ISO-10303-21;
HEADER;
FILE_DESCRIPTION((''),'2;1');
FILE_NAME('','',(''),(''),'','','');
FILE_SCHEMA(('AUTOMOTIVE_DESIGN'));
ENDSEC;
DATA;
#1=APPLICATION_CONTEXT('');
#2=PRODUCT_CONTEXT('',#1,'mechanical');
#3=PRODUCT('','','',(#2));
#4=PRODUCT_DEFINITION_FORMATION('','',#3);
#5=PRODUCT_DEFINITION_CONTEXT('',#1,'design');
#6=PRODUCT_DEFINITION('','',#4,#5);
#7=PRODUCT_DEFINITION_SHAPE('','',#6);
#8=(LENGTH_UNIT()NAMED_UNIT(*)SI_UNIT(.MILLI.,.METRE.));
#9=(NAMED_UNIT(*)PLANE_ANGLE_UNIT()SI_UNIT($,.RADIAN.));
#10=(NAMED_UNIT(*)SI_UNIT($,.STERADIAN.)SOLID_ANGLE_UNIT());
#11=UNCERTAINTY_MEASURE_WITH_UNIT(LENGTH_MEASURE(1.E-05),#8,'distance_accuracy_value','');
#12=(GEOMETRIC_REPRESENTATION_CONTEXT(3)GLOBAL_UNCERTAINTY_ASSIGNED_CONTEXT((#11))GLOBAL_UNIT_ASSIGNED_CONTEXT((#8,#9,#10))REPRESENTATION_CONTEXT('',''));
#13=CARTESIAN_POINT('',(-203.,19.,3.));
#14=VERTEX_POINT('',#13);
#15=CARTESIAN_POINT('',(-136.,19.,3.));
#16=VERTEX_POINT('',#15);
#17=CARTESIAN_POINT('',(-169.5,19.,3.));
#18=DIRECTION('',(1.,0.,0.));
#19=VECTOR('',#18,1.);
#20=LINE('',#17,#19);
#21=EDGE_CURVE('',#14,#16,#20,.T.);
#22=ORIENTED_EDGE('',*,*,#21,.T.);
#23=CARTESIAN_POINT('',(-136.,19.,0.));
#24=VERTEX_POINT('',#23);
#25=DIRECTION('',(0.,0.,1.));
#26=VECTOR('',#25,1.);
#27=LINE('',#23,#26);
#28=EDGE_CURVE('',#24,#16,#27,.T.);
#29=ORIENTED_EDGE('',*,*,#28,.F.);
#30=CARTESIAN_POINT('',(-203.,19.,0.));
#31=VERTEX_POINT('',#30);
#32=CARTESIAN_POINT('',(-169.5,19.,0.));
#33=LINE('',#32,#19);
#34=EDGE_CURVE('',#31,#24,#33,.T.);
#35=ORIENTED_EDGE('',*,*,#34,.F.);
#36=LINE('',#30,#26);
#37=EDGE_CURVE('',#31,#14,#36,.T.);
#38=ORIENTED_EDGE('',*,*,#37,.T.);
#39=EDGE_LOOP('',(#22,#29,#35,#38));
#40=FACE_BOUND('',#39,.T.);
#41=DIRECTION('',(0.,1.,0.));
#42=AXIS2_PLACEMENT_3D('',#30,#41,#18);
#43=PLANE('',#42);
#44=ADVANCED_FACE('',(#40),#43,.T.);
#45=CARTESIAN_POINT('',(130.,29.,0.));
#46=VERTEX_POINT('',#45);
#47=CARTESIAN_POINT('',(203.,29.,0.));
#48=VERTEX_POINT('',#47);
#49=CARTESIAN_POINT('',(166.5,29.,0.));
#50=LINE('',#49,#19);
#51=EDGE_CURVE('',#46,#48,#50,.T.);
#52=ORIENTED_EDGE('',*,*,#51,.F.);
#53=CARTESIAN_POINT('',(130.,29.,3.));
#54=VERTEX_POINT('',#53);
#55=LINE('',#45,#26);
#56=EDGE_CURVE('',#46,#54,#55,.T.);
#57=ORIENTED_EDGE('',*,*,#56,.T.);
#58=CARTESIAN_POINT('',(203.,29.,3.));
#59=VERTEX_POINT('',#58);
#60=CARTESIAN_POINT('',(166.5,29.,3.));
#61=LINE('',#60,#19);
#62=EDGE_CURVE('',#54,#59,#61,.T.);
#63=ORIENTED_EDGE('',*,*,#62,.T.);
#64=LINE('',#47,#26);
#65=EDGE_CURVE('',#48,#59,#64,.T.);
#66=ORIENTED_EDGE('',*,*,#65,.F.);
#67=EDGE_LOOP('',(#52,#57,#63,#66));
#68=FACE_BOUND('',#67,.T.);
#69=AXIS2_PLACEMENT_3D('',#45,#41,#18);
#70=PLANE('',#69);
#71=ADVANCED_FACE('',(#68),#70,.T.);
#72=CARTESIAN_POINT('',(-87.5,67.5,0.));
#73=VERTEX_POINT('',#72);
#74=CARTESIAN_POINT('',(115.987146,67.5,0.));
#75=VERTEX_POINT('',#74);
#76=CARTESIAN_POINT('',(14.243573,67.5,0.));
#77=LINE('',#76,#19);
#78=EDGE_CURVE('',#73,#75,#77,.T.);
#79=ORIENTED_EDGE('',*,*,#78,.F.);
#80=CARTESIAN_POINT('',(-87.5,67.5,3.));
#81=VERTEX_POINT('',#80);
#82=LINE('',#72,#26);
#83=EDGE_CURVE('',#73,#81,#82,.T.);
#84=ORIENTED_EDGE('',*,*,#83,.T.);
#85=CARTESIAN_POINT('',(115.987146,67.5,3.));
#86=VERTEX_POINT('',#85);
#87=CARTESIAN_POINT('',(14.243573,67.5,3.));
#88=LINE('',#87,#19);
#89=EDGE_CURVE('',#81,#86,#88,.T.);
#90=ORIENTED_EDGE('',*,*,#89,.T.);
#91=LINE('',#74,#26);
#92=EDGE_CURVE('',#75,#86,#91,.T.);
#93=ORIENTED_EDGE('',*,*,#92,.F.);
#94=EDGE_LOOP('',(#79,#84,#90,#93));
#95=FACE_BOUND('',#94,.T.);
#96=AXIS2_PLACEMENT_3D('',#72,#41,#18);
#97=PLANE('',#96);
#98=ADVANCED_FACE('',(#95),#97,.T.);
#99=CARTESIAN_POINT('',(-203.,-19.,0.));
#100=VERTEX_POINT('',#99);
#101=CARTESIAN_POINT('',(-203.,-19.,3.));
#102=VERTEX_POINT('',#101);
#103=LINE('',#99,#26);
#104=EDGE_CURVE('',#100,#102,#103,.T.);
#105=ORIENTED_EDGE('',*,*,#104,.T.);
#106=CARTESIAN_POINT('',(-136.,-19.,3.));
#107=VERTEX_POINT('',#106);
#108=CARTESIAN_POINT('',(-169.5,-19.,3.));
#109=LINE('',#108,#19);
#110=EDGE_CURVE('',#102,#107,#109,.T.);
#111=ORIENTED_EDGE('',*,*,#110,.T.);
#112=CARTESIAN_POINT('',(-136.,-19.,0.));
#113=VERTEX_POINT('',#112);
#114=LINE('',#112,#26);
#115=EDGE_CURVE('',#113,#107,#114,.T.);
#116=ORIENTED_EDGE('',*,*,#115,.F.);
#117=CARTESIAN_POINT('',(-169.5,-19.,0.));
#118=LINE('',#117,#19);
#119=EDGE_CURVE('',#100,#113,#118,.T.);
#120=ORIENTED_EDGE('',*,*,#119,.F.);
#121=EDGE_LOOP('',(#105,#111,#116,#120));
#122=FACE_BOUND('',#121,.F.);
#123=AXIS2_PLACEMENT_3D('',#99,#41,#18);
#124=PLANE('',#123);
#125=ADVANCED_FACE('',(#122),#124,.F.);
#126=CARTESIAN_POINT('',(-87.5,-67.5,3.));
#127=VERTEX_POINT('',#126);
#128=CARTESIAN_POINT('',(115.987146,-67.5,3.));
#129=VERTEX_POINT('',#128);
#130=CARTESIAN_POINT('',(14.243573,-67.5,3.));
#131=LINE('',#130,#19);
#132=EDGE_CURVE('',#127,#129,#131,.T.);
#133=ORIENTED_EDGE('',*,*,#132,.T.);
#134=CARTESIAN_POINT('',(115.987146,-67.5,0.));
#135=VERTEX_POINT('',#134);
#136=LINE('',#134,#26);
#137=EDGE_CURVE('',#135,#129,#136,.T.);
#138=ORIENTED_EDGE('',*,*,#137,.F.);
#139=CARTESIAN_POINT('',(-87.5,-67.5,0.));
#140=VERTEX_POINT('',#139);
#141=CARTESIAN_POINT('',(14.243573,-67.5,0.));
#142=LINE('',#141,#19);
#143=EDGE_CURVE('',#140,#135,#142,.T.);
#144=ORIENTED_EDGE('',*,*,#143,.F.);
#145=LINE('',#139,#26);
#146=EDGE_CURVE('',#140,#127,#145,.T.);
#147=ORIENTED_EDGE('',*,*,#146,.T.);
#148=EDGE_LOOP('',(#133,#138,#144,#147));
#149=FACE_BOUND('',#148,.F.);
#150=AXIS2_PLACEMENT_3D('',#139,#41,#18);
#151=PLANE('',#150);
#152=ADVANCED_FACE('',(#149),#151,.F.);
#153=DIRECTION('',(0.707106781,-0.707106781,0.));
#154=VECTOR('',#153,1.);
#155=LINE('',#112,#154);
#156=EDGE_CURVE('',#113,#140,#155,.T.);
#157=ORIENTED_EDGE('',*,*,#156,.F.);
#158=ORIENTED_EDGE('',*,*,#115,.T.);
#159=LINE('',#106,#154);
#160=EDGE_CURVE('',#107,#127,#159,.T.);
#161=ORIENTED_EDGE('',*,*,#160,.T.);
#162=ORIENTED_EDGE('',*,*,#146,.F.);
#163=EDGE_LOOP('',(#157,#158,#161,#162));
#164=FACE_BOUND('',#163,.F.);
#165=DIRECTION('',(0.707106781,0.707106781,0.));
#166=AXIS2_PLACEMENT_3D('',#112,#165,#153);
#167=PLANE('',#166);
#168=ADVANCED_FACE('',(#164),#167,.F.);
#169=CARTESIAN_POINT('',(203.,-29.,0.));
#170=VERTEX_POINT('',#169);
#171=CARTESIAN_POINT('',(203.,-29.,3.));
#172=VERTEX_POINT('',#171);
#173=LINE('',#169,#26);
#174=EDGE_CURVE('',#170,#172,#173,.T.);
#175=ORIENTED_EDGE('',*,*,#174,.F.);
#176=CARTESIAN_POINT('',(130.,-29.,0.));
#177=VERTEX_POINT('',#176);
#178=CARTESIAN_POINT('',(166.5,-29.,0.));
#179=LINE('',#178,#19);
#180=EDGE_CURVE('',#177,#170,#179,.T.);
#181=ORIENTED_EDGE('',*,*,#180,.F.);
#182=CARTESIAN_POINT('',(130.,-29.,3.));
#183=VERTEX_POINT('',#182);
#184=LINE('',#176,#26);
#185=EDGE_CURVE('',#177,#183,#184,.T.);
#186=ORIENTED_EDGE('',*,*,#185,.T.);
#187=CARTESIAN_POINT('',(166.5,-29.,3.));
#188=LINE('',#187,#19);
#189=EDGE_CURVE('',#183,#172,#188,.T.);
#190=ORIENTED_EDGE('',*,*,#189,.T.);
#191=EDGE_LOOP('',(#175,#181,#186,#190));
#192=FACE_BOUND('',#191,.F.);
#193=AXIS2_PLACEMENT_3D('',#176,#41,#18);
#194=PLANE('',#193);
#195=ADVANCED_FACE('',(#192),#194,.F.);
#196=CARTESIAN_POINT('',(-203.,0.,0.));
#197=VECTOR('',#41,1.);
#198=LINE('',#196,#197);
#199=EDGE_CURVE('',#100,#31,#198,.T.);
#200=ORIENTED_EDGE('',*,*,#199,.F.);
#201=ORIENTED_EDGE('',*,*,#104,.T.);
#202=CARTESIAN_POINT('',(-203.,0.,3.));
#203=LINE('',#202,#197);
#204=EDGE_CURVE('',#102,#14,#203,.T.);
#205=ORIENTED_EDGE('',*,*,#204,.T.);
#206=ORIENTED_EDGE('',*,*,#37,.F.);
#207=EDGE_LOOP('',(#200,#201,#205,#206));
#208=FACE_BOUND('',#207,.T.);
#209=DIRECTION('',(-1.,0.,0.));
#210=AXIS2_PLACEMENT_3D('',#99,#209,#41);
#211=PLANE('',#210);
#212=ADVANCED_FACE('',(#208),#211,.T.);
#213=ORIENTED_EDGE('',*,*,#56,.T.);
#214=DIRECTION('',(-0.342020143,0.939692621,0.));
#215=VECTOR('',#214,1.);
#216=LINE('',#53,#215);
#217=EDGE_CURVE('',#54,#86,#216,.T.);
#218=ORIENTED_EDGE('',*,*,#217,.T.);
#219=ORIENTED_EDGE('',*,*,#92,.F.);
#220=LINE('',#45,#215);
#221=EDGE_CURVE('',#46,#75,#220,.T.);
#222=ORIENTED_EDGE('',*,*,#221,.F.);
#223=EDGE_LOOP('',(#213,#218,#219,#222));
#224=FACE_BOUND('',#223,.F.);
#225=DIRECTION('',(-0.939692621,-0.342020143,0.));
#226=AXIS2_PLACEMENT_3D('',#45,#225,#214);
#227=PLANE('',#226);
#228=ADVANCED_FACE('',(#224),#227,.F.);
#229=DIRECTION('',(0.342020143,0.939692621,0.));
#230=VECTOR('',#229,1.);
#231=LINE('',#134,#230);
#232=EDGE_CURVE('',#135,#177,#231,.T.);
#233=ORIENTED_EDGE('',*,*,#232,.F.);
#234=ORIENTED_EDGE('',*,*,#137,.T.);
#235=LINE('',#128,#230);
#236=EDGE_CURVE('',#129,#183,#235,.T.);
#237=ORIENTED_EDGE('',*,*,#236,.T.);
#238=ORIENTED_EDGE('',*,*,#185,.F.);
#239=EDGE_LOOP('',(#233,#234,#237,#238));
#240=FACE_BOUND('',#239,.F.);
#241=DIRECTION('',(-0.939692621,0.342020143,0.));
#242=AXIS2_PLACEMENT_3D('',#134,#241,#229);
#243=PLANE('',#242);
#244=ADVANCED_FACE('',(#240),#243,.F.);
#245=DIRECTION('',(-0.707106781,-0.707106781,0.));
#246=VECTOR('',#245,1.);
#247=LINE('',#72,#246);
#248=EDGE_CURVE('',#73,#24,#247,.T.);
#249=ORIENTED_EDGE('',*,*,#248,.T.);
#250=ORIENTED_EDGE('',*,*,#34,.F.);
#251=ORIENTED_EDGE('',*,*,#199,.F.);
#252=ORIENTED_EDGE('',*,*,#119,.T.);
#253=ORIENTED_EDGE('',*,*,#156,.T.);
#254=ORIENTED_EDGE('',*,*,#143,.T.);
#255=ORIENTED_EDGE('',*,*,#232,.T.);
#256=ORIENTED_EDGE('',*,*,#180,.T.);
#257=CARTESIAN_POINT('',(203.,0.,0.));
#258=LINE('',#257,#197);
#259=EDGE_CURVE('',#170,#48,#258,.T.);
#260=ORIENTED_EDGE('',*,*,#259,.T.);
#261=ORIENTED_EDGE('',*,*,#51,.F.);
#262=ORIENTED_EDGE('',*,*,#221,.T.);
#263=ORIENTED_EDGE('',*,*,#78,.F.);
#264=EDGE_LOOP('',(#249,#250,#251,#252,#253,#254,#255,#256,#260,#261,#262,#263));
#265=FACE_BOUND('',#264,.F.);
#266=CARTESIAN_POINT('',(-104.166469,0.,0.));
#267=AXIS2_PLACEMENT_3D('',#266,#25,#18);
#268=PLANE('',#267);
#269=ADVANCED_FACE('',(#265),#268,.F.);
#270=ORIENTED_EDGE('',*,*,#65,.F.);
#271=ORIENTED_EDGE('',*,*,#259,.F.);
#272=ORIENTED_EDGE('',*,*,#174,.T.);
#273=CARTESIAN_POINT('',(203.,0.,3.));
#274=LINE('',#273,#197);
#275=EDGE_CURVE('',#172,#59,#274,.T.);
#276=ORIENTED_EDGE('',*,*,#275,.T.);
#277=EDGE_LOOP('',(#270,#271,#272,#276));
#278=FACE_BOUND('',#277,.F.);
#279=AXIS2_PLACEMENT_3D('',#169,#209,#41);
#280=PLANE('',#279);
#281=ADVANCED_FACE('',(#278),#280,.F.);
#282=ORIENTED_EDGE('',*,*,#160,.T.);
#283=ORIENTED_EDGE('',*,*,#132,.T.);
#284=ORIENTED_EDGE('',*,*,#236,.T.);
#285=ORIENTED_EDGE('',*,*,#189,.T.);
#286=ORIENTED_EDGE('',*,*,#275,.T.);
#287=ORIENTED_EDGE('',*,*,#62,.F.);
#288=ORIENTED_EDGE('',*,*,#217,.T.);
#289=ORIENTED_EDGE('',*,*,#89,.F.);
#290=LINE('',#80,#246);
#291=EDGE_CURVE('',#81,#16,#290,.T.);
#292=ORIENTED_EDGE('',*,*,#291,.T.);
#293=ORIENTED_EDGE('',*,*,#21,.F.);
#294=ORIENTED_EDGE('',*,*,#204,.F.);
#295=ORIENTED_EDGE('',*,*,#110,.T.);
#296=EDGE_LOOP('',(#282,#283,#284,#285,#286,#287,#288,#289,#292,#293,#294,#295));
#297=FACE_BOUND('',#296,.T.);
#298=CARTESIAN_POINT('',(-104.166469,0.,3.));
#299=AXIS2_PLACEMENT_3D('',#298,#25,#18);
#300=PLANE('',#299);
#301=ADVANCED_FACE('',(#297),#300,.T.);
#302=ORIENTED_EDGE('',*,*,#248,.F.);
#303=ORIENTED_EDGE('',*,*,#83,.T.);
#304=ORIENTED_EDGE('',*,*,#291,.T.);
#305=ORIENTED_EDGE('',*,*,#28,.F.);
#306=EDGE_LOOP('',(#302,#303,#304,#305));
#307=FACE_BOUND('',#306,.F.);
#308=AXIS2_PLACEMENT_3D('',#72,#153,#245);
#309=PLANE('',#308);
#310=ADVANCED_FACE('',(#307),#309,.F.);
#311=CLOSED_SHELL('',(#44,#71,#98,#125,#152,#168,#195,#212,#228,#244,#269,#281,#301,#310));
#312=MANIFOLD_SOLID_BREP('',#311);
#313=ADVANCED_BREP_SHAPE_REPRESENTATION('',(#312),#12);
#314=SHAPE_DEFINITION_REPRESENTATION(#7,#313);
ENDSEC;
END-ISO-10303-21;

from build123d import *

# Parameters (mm, degrees)
F0_W     = 203.487146
F0_H     = 135
F0_W_2   = 67
F0_H_2   = 38
F0_W_3   = 73
F0_H_3   = 58
F1_DEPTH = 3


with BuildPart() as f1:
    # F0 (on Top) → F1 (new body)
    with BuildSketch(Plane.XY):
        Polygon((-136, -19), (-87.5, -67.5), (-87.5, 67.5), (-136, 19), align=None)
        with Locations((14.243573, 0)):
            Rectangle(F0_W, F0_H)
        with Locations((-169.5, 0)):
            Rectangle(F0_W_2, F0_H_2)
        Polygon((115.987146, 67.5), (115.987146, -67.5), (130, -29), (130, 29), align=None)
        with Locations((166.5, 0)):
            Rectangle(F0_W_3, F0_H_3)
    extrude(amount=F1_DEPTH)


solid = f1.part
